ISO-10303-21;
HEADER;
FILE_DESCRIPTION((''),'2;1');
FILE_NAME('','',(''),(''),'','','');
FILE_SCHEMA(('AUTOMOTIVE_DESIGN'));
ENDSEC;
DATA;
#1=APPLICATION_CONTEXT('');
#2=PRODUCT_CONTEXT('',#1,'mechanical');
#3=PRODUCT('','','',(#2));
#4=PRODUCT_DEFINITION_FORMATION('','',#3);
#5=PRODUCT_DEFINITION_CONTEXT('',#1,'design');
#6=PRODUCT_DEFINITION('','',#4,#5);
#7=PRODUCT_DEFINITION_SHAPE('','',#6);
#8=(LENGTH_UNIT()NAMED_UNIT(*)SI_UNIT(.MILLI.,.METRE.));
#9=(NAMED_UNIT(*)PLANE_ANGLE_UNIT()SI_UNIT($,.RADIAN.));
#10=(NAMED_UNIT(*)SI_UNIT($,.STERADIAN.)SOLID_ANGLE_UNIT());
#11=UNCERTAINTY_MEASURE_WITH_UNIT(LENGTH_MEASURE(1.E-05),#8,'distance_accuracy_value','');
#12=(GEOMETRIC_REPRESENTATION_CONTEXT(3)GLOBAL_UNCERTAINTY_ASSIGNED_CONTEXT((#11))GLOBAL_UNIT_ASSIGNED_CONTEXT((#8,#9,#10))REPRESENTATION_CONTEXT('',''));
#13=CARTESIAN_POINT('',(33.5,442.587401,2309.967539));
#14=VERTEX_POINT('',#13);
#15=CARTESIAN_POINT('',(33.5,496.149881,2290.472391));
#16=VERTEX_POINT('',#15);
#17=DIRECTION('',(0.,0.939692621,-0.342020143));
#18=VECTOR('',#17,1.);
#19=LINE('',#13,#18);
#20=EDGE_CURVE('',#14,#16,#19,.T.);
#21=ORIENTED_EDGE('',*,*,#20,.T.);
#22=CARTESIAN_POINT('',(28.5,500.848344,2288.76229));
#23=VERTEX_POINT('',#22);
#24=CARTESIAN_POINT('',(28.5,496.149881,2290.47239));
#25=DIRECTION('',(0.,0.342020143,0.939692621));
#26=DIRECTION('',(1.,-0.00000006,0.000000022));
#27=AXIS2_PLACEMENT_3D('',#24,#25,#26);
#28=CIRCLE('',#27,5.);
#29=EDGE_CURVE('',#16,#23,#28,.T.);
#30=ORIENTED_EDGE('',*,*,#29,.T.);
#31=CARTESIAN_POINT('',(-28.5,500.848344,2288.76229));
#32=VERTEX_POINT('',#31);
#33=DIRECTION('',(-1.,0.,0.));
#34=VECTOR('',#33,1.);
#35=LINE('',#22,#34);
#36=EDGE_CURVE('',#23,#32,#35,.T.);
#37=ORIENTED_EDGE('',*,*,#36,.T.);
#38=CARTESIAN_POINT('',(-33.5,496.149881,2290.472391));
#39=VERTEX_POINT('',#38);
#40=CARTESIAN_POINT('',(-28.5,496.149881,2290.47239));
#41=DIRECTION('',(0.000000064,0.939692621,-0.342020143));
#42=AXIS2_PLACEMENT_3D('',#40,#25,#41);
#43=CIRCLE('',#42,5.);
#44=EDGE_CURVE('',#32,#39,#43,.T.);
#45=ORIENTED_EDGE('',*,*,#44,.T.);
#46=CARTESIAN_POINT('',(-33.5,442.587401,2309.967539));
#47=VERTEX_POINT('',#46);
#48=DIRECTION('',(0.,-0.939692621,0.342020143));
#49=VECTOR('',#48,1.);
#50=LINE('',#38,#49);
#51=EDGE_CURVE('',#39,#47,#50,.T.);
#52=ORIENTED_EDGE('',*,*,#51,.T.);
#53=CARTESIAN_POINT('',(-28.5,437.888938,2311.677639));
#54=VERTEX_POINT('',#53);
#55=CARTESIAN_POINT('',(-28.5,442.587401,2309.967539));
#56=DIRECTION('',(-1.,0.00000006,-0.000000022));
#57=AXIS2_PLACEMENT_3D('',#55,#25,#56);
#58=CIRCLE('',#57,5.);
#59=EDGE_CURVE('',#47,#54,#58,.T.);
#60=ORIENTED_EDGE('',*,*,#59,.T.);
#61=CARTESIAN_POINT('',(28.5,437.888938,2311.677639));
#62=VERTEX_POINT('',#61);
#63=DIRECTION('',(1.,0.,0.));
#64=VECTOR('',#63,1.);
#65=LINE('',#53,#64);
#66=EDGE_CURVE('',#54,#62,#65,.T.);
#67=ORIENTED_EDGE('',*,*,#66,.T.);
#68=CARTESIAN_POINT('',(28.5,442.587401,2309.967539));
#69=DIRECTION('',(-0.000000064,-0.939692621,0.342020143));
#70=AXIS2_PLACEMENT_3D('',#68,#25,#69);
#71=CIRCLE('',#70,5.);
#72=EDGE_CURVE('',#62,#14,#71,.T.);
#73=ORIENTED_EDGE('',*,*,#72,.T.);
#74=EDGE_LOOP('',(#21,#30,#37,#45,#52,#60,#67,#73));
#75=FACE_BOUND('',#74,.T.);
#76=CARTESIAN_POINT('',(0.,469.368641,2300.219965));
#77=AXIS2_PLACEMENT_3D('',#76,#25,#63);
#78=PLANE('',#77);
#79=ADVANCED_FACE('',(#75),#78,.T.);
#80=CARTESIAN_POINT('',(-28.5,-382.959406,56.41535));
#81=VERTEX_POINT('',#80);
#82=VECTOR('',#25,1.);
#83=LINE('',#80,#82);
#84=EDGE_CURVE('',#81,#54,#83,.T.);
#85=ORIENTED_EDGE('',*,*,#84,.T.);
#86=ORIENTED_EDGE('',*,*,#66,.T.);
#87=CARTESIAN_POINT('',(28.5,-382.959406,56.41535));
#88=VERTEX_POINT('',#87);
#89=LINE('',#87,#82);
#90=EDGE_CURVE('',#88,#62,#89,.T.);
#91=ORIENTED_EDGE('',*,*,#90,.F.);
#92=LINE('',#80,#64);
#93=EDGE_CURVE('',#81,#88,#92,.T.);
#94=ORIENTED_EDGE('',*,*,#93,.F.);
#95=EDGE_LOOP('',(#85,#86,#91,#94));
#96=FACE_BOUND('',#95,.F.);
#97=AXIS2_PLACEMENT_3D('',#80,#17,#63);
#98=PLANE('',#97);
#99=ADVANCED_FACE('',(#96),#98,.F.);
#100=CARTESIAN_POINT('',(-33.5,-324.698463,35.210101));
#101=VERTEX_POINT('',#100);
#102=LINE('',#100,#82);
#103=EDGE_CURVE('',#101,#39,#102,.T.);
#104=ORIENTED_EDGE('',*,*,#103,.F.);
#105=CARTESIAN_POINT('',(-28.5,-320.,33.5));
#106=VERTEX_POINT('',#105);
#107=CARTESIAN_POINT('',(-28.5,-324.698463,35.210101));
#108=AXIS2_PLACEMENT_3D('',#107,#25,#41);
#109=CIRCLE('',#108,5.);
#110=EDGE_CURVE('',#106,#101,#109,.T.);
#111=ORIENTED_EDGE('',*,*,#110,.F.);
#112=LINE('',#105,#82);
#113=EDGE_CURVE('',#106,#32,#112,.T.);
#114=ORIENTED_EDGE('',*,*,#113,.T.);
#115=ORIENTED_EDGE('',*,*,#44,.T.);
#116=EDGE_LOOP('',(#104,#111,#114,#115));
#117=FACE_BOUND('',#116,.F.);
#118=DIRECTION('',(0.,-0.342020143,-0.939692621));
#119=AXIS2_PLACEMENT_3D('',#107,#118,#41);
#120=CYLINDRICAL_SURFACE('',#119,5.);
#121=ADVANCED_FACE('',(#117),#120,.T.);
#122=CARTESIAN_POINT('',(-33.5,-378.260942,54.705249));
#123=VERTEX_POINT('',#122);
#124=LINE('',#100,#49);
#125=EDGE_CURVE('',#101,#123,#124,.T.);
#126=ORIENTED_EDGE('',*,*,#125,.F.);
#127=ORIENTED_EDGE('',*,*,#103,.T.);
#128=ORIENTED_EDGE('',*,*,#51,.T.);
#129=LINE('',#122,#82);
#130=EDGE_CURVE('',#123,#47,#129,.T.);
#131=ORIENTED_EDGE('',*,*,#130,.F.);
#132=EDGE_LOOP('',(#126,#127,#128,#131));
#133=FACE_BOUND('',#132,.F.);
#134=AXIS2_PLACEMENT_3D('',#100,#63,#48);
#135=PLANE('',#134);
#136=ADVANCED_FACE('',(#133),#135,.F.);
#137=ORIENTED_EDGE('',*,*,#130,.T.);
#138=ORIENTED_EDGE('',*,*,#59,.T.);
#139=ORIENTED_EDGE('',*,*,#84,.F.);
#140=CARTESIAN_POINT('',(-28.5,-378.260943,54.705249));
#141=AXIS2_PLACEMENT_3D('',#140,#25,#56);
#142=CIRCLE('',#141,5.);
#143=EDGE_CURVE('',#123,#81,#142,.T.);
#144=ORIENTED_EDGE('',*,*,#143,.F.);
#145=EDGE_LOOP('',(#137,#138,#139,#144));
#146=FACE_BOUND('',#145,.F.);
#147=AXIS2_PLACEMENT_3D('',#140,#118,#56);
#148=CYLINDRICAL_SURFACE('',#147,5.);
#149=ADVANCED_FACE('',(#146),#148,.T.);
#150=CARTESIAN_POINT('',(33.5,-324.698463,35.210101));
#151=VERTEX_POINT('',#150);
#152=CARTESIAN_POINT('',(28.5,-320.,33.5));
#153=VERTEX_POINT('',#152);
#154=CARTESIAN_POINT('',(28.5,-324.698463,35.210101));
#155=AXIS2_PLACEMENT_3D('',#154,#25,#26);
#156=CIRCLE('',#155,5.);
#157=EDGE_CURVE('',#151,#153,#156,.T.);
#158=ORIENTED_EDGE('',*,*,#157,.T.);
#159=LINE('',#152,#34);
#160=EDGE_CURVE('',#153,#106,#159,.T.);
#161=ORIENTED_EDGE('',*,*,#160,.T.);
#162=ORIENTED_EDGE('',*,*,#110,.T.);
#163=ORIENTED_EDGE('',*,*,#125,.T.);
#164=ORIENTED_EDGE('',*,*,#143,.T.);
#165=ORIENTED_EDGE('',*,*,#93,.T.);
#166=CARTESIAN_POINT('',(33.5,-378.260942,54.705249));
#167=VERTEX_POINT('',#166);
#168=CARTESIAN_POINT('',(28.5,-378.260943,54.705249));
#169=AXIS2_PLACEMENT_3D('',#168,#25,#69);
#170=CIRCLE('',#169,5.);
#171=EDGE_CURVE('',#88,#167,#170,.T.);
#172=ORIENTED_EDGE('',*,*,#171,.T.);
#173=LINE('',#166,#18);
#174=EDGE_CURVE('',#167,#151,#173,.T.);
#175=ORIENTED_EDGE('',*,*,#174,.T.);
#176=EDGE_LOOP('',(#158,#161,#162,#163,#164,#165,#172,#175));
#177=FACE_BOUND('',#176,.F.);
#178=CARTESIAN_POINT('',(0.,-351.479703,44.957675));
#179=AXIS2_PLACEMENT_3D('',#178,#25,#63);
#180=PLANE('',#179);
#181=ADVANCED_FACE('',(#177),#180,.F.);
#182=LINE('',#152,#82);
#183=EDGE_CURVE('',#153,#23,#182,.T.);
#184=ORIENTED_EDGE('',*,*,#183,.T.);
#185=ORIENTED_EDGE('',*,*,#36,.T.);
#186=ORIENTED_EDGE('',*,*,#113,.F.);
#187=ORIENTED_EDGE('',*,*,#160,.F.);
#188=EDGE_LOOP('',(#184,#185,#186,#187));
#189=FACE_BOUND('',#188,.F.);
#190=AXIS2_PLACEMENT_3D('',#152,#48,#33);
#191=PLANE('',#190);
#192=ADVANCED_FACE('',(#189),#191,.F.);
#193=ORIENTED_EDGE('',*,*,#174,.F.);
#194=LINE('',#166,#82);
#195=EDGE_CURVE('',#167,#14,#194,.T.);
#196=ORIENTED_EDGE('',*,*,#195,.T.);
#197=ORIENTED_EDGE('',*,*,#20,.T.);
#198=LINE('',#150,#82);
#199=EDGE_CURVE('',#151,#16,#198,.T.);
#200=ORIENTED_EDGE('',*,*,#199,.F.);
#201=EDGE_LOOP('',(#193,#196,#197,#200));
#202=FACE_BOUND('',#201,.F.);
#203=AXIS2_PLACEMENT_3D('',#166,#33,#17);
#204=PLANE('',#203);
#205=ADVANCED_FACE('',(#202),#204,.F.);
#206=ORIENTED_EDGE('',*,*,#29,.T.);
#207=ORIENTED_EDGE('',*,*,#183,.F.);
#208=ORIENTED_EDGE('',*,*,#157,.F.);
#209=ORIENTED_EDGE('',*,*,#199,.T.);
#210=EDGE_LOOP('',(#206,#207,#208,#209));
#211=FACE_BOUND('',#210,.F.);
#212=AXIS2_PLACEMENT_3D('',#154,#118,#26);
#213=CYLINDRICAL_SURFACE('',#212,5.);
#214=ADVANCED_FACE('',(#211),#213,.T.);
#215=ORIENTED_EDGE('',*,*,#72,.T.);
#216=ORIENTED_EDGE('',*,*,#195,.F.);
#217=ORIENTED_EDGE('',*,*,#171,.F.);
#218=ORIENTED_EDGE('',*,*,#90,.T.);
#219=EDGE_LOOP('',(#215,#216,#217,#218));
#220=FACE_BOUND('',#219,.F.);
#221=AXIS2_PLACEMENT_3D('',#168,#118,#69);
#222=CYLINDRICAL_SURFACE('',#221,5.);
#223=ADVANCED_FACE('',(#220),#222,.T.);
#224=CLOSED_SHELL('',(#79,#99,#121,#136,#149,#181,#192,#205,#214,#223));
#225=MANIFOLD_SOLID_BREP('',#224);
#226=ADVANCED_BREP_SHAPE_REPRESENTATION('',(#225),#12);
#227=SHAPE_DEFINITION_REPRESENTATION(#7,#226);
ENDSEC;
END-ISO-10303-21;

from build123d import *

# Parameters (mm, degrees)
F1_DEPTH = 2400
F2_ANGLE = -110


with BuildPart() as f1:
    # F0 (on Front) → F1 (new body)
    with BuildSketch(Plane.XZ):
        with BuildLine():
            Line((28.5, 33.5), (-28.5, 33.5))
            ThreePointArc((-28.5, 33.5), (-32.035534, 32.035534), (-33.5, 28.5))
            Line((-33.5, 28.5), (-33.5, -28.5))
            ThreePointArc((-33.5, -28.5), (-32.035534, -32.035534), (-28.5, -33.5))
            Line((-28.5, -33.5), (28.5, -33.5))
            ThreePointArc((28.5, -33.5), (32.035534, -32.035534), (33.5, -28.5))
            Line((33.5, -28.5), (33.5, 28.5))
            ThreePointArc((33.5, 28.5), (32.035534, 32.035534), (28.5, 33.5))
        make_face()
    extrude(amount=F1_DEPTH)


with BuildPart() as f1_1:
    # F2: moved
    add(f1.part.rotate(Axis((0, 0, 33.5), (1, 0, 0)), F2_ANGLE))


with BuildPart() as f1_2:
    # F3: moved
    add(f1_1.part.moved(Location((0, -320, 0))))


solid = f1_2.part
